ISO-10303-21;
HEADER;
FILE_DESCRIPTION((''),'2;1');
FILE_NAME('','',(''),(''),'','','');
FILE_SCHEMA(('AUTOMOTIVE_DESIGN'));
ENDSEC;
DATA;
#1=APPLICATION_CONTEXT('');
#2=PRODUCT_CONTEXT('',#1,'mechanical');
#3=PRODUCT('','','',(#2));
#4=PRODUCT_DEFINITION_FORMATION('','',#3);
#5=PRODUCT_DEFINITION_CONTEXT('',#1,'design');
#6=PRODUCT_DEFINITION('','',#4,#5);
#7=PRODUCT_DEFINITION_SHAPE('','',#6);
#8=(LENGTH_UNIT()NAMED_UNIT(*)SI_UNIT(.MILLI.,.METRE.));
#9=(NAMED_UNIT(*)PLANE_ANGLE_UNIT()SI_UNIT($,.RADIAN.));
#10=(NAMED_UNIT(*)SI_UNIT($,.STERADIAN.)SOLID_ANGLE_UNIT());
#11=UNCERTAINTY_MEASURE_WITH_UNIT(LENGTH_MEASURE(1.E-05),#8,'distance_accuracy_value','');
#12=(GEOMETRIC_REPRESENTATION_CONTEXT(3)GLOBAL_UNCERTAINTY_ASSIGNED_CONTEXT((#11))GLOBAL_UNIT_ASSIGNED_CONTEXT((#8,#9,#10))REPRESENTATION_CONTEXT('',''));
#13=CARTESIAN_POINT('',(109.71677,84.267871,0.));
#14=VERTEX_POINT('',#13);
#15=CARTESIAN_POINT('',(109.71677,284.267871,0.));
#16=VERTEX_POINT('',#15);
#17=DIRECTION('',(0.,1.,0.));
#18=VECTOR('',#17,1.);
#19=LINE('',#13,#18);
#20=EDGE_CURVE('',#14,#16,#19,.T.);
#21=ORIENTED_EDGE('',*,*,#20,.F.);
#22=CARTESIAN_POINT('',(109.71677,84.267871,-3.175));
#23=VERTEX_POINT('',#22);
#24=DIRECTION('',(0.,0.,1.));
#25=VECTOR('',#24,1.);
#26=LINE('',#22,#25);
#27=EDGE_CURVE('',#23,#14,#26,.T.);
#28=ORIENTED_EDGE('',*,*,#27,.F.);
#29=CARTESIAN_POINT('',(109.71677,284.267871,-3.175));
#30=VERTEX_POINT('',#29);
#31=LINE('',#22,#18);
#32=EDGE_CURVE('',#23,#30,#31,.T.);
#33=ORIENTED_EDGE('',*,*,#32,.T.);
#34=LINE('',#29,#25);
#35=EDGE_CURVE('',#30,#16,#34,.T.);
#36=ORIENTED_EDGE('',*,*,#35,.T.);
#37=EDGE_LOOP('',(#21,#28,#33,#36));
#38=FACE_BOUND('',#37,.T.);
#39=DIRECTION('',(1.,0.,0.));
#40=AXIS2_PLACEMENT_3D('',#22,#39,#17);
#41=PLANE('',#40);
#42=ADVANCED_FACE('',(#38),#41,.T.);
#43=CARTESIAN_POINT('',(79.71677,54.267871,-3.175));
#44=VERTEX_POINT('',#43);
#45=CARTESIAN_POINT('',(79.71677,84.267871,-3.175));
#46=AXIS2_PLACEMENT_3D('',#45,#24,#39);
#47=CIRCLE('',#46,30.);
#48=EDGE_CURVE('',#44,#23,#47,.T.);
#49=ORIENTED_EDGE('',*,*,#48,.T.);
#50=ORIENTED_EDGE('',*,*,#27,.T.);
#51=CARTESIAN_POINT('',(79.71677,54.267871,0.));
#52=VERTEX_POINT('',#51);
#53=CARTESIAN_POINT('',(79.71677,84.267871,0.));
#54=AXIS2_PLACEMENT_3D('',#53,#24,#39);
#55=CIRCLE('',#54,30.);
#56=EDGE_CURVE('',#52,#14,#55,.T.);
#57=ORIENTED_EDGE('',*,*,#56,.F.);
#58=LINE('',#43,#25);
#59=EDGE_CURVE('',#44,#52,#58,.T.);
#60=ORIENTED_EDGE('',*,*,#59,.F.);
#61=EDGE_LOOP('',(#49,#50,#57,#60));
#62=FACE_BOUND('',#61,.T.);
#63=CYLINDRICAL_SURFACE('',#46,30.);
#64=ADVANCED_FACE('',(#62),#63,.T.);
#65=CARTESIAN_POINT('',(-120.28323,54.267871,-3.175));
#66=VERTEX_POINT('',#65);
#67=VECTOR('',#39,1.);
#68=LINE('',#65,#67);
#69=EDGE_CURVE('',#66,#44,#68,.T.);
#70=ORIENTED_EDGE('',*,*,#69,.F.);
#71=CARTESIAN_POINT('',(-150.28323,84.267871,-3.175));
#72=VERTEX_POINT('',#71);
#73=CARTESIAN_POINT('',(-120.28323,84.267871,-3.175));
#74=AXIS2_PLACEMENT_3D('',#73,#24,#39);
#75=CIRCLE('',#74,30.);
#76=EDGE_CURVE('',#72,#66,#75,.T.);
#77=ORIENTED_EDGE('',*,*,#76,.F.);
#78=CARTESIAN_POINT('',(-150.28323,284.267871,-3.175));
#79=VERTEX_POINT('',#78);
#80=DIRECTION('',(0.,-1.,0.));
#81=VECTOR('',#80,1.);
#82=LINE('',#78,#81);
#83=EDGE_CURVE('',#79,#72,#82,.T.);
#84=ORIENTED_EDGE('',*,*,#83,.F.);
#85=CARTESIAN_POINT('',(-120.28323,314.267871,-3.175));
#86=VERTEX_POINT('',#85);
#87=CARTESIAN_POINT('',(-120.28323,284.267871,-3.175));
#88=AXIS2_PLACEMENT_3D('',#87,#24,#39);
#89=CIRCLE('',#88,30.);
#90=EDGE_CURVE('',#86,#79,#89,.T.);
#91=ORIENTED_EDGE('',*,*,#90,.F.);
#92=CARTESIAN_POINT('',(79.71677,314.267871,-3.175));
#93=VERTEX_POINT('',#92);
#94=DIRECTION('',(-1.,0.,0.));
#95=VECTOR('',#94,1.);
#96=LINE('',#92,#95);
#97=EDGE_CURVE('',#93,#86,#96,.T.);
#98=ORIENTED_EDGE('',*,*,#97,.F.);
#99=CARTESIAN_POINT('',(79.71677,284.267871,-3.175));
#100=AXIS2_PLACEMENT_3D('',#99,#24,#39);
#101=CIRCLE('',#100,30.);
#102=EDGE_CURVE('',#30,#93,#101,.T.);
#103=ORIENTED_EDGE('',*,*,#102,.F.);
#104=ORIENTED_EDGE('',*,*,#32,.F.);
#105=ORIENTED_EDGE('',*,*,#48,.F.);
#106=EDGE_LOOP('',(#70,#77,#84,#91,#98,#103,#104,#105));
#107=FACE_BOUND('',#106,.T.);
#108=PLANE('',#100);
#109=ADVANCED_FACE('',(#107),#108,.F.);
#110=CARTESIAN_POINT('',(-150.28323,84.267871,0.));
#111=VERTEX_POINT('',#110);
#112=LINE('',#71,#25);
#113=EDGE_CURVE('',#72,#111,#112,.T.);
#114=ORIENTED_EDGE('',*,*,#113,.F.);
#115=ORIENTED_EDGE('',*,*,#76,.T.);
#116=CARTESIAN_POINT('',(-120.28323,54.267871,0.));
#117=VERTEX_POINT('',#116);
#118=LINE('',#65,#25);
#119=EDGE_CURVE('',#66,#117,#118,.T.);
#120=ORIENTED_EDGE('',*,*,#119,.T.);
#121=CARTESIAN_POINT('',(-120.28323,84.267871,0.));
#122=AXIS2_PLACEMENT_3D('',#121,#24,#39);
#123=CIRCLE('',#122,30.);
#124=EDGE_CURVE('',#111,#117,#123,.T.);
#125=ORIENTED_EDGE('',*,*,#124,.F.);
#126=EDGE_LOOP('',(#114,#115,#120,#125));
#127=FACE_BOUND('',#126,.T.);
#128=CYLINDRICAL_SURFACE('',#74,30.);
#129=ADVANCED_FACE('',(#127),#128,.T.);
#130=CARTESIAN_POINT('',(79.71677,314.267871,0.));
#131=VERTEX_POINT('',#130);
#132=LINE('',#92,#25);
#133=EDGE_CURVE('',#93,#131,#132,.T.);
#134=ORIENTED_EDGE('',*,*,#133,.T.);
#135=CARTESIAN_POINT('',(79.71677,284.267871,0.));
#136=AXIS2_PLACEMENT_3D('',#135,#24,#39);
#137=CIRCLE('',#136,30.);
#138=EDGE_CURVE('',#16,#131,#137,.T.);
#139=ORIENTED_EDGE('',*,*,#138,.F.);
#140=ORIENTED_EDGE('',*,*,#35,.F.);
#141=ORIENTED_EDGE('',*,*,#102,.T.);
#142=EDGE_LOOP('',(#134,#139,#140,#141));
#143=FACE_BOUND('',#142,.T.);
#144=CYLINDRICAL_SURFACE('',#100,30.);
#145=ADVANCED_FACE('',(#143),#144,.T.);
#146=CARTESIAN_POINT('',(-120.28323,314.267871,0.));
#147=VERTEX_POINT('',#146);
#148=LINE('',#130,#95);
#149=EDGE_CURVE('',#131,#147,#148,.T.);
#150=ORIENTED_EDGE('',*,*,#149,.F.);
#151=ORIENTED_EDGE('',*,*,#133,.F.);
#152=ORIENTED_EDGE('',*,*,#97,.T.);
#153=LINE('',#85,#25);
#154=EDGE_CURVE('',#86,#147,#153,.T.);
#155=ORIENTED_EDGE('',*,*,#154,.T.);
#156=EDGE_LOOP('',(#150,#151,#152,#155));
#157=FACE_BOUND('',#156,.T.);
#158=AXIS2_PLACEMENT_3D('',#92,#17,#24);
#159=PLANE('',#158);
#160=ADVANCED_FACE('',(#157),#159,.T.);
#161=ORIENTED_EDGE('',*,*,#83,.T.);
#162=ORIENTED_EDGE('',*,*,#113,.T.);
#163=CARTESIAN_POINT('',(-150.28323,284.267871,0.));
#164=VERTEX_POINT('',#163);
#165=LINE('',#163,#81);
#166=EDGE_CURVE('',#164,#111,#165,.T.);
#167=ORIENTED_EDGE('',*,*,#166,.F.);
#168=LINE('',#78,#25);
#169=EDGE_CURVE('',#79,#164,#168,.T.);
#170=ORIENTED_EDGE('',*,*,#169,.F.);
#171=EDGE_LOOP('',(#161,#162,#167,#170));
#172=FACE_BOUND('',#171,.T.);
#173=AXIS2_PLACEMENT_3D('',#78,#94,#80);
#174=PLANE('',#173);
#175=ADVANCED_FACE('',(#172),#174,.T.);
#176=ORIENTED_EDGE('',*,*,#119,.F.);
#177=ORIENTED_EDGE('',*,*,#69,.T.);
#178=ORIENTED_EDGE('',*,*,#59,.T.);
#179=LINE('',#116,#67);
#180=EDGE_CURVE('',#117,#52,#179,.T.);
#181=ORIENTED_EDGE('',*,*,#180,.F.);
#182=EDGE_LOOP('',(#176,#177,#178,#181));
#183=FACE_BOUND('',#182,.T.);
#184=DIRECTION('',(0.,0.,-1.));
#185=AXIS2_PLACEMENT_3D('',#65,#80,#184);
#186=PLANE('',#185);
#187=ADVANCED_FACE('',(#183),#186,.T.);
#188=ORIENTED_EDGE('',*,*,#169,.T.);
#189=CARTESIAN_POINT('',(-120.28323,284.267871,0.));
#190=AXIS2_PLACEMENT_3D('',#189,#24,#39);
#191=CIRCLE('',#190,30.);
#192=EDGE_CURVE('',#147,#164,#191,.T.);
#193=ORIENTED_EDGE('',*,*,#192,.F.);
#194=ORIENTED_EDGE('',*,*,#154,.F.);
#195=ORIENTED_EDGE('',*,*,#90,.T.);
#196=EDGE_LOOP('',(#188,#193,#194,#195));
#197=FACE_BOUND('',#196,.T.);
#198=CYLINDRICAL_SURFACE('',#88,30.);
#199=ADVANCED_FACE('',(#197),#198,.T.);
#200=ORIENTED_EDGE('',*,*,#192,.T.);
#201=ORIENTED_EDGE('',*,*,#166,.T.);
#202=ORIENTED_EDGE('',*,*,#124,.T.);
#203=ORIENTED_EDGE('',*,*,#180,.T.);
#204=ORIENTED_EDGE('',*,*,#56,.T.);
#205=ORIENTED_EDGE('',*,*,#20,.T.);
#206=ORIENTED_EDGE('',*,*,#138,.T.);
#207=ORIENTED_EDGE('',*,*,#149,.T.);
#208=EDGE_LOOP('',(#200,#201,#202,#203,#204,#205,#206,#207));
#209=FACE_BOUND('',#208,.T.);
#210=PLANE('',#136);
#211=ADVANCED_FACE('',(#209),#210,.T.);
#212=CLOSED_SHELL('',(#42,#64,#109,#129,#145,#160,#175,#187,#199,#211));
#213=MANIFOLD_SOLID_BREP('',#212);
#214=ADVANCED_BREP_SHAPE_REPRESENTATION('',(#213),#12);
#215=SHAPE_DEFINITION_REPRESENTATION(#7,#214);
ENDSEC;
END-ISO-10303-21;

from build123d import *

# Parameters (mm, degrees)
BOSS_EXTRUDE1_DEPTH = 3.175


with BuildPart() as part:
    # Sketch1 → Boss-Extrude1 (new body)
    with BuildSketch(Plane.XY):
        with BuildLine():
            Line((79.71677043, 314.26787056), (-120.28322957, 314.26787056))
            ThreePointArc((-120.28322957, 314.26787056), (-141.496433005, 305.481073996), (-150.28322957, 284.26787056))
            Line((-150.28322957, 284.26787056), (-150.28322957, 84.26787056))
            ThreePointArc((-150.28322957, 84.26787056), (-141.496433005, 63.054667125), (-120.28322957, 54.26787056))
            Line((-120.28322957, 54.26787056), (79.71677043, 54.26787056))
            ThreePointArc((79.71677043, 54.26787056), (100.929973866, 63.054667125), (109.71677043, 84.26787056))
            Line((109.71677043, 84.26787056), (109.71677043, 284.26787056))
            ThreePointArc((109.71677043, 284.26787056), (100.929973866, 305.481073996), (79.71677043, 314.26787056))
        make_face()
    extrude(amount=-BOSS_EXTRUDE1_DEPTH)


solid = part.part
